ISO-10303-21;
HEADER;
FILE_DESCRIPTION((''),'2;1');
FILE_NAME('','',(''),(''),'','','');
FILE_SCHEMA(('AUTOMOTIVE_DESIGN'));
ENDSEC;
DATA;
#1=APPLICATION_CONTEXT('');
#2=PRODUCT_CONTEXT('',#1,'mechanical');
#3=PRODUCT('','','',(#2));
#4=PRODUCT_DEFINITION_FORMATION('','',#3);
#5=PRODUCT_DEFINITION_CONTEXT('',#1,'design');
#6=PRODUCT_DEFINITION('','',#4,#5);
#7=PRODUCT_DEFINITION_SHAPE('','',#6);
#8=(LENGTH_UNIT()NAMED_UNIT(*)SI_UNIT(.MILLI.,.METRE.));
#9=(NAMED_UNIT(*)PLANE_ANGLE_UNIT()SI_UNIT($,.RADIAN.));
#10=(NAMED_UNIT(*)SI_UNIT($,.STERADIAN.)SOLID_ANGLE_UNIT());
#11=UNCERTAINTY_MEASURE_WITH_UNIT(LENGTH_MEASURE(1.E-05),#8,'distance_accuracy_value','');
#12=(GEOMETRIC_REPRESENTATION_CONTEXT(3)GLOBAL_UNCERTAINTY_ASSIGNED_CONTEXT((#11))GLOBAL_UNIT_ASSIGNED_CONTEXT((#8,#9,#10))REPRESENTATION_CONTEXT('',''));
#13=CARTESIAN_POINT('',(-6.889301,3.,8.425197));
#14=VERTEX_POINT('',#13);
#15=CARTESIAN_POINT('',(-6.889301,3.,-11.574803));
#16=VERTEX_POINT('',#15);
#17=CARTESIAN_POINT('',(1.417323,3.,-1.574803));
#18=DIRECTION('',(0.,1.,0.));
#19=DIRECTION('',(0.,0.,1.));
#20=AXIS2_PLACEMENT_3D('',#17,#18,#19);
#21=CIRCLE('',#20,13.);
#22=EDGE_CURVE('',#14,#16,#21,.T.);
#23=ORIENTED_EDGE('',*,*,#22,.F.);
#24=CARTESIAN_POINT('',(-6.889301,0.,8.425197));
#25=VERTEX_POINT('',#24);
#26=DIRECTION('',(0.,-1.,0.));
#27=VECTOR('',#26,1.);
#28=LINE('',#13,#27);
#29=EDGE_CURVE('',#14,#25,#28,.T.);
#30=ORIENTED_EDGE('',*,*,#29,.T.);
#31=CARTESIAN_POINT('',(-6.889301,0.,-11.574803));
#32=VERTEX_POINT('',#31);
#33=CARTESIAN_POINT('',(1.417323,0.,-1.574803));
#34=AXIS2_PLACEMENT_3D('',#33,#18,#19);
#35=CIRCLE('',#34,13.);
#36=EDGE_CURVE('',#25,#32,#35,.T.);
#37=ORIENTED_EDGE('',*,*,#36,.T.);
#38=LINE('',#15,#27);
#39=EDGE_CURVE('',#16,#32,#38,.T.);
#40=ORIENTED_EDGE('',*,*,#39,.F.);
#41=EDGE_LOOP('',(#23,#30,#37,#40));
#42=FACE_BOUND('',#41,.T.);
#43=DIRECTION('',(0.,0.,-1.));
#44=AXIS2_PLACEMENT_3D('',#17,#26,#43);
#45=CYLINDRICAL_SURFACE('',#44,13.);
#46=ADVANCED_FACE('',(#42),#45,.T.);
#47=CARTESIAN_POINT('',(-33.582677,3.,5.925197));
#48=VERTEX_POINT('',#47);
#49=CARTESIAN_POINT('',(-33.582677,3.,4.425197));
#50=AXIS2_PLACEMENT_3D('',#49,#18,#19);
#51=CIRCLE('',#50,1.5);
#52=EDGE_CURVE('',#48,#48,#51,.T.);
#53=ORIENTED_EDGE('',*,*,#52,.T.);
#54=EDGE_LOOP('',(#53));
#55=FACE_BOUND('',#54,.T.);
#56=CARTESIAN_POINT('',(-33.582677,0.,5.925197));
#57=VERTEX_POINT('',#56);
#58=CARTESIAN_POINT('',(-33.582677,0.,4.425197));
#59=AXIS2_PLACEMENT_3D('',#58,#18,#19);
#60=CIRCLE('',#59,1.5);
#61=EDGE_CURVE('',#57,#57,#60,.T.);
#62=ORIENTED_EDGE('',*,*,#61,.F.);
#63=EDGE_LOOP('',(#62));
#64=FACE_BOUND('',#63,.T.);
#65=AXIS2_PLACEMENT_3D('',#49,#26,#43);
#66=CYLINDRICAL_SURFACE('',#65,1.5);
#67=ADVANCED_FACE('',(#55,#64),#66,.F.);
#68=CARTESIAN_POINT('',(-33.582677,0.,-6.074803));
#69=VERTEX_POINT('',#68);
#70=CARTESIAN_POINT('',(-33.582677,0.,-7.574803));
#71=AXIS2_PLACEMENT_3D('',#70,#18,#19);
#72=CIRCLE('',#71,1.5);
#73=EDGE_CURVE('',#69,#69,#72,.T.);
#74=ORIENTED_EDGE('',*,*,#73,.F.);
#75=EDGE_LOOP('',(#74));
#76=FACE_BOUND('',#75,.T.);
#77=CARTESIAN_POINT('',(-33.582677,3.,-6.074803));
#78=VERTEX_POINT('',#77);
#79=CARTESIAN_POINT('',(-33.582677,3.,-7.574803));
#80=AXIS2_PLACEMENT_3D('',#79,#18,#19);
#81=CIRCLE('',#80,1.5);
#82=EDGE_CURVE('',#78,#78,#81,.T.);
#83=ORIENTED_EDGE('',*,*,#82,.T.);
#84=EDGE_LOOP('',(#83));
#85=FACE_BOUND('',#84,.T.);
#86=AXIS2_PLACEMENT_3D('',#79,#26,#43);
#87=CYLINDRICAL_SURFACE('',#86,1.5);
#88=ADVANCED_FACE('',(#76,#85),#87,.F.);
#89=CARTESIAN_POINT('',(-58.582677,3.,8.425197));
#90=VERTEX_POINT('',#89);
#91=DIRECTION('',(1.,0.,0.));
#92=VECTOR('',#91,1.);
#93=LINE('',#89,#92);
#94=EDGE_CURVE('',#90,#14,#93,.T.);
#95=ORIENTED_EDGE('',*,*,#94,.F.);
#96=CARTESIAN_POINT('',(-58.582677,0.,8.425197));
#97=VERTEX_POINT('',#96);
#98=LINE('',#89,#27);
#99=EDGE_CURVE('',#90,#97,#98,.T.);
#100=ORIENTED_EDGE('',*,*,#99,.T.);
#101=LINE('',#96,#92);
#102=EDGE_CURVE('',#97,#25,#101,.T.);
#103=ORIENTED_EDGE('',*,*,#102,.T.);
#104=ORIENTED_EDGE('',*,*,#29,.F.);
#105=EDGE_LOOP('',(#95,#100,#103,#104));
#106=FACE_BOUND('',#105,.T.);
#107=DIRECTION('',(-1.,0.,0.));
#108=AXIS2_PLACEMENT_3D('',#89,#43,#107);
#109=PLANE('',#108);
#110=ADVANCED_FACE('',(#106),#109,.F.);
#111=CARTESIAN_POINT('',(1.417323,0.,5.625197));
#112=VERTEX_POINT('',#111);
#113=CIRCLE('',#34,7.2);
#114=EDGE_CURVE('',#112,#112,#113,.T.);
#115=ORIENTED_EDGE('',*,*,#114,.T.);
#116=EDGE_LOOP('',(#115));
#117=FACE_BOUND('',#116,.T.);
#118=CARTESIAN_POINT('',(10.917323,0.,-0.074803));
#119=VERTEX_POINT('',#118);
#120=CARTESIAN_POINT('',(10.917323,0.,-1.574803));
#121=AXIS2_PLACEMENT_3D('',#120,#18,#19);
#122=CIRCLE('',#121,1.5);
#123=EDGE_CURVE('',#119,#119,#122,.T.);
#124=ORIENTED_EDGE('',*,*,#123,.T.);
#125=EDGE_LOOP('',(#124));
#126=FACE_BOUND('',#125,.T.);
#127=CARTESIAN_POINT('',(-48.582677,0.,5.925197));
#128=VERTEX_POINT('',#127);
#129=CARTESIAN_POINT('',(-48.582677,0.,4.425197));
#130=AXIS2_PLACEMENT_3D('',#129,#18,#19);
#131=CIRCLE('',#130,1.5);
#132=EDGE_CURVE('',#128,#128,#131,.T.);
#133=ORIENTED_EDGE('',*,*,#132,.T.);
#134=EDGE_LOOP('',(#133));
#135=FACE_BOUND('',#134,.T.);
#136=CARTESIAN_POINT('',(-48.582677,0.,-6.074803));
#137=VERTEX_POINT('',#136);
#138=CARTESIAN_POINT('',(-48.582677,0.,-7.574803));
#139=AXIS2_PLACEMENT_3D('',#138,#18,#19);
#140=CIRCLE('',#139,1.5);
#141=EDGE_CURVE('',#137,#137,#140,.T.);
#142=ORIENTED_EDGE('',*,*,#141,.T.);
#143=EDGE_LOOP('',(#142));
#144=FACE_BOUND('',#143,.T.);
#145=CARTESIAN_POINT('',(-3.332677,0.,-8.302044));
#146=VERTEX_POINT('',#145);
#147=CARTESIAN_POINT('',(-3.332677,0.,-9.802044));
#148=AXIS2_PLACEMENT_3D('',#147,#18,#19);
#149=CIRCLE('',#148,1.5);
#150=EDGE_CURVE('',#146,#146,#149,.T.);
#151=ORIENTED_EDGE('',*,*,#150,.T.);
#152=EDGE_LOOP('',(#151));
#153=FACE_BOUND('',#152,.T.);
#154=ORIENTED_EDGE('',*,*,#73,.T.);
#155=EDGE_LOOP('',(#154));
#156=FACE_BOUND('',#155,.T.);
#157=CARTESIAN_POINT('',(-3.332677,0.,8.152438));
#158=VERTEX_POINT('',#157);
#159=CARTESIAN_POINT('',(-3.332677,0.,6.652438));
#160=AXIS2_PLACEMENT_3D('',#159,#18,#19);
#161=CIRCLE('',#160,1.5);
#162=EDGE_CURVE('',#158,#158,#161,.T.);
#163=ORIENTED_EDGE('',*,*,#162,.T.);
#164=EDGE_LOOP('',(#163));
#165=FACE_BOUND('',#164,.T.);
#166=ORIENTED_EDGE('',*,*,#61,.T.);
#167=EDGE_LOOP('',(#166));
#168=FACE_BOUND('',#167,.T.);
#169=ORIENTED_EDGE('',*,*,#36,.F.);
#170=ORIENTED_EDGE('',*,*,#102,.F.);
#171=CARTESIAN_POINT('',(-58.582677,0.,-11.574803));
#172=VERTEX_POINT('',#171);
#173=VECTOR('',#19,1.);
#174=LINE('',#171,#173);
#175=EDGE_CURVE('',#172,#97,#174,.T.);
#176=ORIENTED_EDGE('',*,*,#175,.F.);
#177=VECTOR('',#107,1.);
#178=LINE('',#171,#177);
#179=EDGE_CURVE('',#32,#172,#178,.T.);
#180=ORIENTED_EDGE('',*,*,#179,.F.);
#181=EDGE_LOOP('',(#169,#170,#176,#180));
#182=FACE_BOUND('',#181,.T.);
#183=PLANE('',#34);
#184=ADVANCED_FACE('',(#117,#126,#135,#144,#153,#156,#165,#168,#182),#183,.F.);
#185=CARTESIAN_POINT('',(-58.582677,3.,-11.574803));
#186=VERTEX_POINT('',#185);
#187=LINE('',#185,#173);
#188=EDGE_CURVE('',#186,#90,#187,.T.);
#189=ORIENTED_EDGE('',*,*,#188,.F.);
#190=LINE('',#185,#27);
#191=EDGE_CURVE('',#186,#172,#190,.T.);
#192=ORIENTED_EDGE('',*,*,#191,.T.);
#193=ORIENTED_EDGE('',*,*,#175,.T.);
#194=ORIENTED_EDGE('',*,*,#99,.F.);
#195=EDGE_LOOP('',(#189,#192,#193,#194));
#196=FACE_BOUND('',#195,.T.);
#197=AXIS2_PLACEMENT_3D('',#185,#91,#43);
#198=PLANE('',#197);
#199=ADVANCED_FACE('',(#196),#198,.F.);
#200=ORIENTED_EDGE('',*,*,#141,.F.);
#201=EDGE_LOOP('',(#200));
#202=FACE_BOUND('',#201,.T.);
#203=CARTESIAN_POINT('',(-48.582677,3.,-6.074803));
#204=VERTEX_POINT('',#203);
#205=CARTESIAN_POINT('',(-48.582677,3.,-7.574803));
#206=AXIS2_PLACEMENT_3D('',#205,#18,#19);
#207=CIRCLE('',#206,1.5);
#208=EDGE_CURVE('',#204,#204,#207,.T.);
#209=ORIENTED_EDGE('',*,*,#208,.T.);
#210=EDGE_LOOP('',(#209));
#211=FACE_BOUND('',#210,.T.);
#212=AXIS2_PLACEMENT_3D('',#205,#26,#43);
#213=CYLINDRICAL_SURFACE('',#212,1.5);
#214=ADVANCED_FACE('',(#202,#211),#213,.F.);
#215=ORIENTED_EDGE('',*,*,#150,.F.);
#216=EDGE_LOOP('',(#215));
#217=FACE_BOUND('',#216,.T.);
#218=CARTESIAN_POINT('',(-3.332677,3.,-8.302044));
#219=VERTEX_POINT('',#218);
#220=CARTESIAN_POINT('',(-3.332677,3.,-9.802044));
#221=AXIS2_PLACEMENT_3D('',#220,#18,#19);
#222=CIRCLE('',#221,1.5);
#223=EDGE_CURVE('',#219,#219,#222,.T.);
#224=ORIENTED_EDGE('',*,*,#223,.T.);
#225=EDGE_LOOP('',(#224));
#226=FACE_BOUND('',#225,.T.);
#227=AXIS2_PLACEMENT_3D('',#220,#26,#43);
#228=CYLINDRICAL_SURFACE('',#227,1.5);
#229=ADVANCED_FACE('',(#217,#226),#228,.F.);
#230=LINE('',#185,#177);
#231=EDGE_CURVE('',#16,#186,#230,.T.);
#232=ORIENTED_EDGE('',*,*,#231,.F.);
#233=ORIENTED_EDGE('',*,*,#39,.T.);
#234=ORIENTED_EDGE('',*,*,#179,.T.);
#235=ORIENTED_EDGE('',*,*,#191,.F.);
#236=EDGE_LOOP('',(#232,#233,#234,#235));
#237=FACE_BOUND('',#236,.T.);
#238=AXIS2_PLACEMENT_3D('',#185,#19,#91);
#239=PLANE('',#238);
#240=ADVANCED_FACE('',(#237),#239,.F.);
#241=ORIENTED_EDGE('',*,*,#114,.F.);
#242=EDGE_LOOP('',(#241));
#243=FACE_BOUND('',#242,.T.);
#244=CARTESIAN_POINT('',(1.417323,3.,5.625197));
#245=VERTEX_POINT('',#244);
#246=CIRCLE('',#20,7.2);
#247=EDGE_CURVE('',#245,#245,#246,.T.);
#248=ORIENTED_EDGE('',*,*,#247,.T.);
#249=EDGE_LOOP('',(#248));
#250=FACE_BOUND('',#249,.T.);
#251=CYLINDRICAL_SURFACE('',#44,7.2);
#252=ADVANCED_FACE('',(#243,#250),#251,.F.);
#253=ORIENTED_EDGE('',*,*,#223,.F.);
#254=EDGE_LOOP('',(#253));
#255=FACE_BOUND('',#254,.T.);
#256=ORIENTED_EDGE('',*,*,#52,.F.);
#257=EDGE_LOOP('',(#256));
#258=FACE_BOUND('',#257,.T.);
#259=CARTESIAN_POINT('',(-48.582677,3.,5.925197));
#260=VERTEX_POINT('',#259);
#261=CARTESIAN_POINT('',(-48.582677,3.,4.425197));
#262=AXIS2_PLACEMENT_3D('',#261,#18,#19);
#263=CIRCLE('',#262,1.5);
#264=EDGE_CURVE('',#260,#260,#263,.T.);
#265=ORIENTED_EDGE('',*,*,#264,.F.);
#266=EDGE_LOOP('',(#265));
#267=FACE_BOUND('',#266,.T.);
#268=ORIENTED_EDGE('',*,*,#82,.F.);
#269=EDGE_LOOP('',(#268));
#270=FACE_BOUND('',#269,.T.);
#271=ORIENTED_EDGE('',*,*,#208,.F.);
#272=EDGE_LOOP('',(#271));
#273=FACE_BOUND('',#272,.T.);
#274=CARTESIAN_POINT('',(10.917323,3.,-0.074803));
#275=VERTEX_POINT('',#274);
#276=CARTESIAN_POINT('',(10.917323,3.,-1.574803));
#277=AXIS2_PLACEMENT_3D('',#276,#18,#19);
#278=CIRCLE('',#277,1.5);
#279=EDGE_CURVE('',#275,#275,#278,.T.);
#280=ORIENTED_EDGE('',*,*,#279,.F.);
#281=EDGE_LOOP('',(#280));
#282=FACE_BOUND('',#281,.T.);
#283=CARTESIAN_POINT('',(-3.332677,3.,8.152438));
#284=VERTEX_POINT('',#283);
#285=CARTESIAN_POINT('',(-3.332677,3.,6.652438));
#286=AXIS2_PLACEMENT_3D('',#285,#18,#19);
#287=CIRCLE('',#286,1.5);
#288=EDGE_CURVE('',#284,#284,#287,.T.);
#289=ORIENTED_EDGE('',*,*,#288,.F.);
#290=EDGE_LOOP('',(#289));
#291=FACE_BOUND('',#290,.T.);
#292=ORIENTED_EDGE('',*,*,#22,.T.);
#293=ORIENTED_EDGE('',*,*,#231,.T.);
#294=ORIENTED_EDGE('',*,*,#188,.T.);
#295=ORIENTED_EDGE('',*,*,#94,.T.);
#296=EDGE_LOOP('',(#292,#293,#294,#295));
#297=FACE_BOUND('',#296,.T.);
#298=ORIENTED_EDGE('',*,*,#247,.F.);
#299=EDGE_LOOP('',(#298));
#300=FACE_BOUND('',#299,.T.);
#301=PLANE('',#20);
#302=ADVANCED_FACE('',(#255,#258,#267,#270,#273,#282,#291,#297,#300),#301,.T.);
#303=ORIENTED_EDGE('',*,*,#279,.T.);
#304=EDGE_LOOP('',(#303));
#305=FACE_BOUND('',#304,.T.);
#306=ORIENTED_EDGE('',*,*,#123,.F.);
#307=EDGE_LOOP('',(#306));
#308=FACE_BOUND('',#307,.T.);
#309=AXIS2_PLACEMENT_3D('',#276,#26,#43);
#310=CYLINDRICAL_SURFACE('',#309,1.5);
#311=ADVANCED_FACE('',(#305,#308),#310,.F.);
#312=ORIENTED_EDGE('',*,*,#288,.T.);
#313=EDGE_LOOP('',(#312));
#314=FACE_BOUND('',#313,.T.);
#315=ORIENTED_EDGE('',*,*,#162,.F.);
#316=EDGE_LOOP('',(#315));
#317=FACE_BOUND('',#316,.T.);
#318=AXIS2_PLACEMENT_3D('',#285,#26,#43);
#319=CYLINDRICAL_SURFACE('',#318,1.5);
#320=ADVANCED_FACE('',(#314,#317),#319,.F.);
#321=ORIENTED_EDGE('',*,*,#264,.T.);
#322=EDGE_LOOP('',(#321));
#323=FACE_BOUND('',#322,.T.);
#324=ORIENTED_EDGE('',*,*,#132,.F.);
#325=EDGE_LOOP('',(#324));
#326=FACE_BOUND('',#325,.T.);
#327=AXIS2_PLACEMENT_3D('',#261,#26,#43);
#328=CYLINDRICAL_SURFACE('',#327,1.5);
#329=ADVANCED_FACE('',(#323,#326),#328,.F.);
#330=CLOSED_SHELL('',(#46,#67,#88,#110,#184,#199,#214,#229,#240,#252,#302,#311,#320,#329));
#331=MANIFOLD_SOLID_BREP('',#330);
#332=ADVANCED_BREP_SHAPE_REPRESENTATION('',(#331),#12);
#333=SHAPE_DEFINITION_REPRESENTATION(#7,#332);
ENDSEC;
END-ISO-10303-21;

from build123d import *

# Parameters (mm, degrees)
SKETCH_1_R      = 1.5
SKETCH_1_R_2    = 7.2
EXTRUDE_1_DEPTH = 3


with BuildPart() as part:
    # 草图1 → 凸台-拉伸1 (new body)
    with BuildSketch(Plane(origin=(0, 0, 0), x_dir=(1, 0, 0), z_dir=(0, 1, 0))):
        with BuildLine():
            Line((-58.582677165, 11.57480315), (-6.889301028, 11.57480315))
            ThreePointArc((-6.889301028, 11.57480315), (14.417322835, 1.57480315), (-6.889301028, -8.42519685))
            Line((-6.889301028, -8.42519685), (-58.582677165, -8.42519685))
            Line((-58.582677165, -8.42519685), (-58.582677165, 11.57480315))
        make_face()
        with Locations((-33.582677165, 7.57480315)):
            Circle(SKETCH_1_R, mode=Mode.SUBTRACT)
        with Locations((-48.582677165, 7.57480315)):
            Circle(SKETCH_1_R, mode=Mode.SUBTRACT)
        with Locations((-33.582677165, -4.42519685)):
            Circle(SKETCH_1_R, mode=Mode.SUBTRACT)
        with Locations((-48.582677165, -4.42519685)):
            Circle(SKETCH_1_R, mode=Mode.SUBTRACT)
        with Locations((1.417322835, 1.57480315)):
            Circle(SKETCH_1_R_2, mode=Mode.SUBTRACT)
        with Locations((10.917322835, 1.57480315)):
            Circle(SKETCH_1_R, mode=Mode.SUBTRACT)
        with Locations((-3.332677165, -6.652438186)):
            Circle(SKETCH_1_R, mode=Mode.SUBTRACT)
        with Locations((-3.332677165, 9.802044486)):
            Circle(SKETCH_1_R, mode=Mode.SUBTRACT)
    extrude(amount=EXTRUDE_1_DEPTH)


solid = part.part
